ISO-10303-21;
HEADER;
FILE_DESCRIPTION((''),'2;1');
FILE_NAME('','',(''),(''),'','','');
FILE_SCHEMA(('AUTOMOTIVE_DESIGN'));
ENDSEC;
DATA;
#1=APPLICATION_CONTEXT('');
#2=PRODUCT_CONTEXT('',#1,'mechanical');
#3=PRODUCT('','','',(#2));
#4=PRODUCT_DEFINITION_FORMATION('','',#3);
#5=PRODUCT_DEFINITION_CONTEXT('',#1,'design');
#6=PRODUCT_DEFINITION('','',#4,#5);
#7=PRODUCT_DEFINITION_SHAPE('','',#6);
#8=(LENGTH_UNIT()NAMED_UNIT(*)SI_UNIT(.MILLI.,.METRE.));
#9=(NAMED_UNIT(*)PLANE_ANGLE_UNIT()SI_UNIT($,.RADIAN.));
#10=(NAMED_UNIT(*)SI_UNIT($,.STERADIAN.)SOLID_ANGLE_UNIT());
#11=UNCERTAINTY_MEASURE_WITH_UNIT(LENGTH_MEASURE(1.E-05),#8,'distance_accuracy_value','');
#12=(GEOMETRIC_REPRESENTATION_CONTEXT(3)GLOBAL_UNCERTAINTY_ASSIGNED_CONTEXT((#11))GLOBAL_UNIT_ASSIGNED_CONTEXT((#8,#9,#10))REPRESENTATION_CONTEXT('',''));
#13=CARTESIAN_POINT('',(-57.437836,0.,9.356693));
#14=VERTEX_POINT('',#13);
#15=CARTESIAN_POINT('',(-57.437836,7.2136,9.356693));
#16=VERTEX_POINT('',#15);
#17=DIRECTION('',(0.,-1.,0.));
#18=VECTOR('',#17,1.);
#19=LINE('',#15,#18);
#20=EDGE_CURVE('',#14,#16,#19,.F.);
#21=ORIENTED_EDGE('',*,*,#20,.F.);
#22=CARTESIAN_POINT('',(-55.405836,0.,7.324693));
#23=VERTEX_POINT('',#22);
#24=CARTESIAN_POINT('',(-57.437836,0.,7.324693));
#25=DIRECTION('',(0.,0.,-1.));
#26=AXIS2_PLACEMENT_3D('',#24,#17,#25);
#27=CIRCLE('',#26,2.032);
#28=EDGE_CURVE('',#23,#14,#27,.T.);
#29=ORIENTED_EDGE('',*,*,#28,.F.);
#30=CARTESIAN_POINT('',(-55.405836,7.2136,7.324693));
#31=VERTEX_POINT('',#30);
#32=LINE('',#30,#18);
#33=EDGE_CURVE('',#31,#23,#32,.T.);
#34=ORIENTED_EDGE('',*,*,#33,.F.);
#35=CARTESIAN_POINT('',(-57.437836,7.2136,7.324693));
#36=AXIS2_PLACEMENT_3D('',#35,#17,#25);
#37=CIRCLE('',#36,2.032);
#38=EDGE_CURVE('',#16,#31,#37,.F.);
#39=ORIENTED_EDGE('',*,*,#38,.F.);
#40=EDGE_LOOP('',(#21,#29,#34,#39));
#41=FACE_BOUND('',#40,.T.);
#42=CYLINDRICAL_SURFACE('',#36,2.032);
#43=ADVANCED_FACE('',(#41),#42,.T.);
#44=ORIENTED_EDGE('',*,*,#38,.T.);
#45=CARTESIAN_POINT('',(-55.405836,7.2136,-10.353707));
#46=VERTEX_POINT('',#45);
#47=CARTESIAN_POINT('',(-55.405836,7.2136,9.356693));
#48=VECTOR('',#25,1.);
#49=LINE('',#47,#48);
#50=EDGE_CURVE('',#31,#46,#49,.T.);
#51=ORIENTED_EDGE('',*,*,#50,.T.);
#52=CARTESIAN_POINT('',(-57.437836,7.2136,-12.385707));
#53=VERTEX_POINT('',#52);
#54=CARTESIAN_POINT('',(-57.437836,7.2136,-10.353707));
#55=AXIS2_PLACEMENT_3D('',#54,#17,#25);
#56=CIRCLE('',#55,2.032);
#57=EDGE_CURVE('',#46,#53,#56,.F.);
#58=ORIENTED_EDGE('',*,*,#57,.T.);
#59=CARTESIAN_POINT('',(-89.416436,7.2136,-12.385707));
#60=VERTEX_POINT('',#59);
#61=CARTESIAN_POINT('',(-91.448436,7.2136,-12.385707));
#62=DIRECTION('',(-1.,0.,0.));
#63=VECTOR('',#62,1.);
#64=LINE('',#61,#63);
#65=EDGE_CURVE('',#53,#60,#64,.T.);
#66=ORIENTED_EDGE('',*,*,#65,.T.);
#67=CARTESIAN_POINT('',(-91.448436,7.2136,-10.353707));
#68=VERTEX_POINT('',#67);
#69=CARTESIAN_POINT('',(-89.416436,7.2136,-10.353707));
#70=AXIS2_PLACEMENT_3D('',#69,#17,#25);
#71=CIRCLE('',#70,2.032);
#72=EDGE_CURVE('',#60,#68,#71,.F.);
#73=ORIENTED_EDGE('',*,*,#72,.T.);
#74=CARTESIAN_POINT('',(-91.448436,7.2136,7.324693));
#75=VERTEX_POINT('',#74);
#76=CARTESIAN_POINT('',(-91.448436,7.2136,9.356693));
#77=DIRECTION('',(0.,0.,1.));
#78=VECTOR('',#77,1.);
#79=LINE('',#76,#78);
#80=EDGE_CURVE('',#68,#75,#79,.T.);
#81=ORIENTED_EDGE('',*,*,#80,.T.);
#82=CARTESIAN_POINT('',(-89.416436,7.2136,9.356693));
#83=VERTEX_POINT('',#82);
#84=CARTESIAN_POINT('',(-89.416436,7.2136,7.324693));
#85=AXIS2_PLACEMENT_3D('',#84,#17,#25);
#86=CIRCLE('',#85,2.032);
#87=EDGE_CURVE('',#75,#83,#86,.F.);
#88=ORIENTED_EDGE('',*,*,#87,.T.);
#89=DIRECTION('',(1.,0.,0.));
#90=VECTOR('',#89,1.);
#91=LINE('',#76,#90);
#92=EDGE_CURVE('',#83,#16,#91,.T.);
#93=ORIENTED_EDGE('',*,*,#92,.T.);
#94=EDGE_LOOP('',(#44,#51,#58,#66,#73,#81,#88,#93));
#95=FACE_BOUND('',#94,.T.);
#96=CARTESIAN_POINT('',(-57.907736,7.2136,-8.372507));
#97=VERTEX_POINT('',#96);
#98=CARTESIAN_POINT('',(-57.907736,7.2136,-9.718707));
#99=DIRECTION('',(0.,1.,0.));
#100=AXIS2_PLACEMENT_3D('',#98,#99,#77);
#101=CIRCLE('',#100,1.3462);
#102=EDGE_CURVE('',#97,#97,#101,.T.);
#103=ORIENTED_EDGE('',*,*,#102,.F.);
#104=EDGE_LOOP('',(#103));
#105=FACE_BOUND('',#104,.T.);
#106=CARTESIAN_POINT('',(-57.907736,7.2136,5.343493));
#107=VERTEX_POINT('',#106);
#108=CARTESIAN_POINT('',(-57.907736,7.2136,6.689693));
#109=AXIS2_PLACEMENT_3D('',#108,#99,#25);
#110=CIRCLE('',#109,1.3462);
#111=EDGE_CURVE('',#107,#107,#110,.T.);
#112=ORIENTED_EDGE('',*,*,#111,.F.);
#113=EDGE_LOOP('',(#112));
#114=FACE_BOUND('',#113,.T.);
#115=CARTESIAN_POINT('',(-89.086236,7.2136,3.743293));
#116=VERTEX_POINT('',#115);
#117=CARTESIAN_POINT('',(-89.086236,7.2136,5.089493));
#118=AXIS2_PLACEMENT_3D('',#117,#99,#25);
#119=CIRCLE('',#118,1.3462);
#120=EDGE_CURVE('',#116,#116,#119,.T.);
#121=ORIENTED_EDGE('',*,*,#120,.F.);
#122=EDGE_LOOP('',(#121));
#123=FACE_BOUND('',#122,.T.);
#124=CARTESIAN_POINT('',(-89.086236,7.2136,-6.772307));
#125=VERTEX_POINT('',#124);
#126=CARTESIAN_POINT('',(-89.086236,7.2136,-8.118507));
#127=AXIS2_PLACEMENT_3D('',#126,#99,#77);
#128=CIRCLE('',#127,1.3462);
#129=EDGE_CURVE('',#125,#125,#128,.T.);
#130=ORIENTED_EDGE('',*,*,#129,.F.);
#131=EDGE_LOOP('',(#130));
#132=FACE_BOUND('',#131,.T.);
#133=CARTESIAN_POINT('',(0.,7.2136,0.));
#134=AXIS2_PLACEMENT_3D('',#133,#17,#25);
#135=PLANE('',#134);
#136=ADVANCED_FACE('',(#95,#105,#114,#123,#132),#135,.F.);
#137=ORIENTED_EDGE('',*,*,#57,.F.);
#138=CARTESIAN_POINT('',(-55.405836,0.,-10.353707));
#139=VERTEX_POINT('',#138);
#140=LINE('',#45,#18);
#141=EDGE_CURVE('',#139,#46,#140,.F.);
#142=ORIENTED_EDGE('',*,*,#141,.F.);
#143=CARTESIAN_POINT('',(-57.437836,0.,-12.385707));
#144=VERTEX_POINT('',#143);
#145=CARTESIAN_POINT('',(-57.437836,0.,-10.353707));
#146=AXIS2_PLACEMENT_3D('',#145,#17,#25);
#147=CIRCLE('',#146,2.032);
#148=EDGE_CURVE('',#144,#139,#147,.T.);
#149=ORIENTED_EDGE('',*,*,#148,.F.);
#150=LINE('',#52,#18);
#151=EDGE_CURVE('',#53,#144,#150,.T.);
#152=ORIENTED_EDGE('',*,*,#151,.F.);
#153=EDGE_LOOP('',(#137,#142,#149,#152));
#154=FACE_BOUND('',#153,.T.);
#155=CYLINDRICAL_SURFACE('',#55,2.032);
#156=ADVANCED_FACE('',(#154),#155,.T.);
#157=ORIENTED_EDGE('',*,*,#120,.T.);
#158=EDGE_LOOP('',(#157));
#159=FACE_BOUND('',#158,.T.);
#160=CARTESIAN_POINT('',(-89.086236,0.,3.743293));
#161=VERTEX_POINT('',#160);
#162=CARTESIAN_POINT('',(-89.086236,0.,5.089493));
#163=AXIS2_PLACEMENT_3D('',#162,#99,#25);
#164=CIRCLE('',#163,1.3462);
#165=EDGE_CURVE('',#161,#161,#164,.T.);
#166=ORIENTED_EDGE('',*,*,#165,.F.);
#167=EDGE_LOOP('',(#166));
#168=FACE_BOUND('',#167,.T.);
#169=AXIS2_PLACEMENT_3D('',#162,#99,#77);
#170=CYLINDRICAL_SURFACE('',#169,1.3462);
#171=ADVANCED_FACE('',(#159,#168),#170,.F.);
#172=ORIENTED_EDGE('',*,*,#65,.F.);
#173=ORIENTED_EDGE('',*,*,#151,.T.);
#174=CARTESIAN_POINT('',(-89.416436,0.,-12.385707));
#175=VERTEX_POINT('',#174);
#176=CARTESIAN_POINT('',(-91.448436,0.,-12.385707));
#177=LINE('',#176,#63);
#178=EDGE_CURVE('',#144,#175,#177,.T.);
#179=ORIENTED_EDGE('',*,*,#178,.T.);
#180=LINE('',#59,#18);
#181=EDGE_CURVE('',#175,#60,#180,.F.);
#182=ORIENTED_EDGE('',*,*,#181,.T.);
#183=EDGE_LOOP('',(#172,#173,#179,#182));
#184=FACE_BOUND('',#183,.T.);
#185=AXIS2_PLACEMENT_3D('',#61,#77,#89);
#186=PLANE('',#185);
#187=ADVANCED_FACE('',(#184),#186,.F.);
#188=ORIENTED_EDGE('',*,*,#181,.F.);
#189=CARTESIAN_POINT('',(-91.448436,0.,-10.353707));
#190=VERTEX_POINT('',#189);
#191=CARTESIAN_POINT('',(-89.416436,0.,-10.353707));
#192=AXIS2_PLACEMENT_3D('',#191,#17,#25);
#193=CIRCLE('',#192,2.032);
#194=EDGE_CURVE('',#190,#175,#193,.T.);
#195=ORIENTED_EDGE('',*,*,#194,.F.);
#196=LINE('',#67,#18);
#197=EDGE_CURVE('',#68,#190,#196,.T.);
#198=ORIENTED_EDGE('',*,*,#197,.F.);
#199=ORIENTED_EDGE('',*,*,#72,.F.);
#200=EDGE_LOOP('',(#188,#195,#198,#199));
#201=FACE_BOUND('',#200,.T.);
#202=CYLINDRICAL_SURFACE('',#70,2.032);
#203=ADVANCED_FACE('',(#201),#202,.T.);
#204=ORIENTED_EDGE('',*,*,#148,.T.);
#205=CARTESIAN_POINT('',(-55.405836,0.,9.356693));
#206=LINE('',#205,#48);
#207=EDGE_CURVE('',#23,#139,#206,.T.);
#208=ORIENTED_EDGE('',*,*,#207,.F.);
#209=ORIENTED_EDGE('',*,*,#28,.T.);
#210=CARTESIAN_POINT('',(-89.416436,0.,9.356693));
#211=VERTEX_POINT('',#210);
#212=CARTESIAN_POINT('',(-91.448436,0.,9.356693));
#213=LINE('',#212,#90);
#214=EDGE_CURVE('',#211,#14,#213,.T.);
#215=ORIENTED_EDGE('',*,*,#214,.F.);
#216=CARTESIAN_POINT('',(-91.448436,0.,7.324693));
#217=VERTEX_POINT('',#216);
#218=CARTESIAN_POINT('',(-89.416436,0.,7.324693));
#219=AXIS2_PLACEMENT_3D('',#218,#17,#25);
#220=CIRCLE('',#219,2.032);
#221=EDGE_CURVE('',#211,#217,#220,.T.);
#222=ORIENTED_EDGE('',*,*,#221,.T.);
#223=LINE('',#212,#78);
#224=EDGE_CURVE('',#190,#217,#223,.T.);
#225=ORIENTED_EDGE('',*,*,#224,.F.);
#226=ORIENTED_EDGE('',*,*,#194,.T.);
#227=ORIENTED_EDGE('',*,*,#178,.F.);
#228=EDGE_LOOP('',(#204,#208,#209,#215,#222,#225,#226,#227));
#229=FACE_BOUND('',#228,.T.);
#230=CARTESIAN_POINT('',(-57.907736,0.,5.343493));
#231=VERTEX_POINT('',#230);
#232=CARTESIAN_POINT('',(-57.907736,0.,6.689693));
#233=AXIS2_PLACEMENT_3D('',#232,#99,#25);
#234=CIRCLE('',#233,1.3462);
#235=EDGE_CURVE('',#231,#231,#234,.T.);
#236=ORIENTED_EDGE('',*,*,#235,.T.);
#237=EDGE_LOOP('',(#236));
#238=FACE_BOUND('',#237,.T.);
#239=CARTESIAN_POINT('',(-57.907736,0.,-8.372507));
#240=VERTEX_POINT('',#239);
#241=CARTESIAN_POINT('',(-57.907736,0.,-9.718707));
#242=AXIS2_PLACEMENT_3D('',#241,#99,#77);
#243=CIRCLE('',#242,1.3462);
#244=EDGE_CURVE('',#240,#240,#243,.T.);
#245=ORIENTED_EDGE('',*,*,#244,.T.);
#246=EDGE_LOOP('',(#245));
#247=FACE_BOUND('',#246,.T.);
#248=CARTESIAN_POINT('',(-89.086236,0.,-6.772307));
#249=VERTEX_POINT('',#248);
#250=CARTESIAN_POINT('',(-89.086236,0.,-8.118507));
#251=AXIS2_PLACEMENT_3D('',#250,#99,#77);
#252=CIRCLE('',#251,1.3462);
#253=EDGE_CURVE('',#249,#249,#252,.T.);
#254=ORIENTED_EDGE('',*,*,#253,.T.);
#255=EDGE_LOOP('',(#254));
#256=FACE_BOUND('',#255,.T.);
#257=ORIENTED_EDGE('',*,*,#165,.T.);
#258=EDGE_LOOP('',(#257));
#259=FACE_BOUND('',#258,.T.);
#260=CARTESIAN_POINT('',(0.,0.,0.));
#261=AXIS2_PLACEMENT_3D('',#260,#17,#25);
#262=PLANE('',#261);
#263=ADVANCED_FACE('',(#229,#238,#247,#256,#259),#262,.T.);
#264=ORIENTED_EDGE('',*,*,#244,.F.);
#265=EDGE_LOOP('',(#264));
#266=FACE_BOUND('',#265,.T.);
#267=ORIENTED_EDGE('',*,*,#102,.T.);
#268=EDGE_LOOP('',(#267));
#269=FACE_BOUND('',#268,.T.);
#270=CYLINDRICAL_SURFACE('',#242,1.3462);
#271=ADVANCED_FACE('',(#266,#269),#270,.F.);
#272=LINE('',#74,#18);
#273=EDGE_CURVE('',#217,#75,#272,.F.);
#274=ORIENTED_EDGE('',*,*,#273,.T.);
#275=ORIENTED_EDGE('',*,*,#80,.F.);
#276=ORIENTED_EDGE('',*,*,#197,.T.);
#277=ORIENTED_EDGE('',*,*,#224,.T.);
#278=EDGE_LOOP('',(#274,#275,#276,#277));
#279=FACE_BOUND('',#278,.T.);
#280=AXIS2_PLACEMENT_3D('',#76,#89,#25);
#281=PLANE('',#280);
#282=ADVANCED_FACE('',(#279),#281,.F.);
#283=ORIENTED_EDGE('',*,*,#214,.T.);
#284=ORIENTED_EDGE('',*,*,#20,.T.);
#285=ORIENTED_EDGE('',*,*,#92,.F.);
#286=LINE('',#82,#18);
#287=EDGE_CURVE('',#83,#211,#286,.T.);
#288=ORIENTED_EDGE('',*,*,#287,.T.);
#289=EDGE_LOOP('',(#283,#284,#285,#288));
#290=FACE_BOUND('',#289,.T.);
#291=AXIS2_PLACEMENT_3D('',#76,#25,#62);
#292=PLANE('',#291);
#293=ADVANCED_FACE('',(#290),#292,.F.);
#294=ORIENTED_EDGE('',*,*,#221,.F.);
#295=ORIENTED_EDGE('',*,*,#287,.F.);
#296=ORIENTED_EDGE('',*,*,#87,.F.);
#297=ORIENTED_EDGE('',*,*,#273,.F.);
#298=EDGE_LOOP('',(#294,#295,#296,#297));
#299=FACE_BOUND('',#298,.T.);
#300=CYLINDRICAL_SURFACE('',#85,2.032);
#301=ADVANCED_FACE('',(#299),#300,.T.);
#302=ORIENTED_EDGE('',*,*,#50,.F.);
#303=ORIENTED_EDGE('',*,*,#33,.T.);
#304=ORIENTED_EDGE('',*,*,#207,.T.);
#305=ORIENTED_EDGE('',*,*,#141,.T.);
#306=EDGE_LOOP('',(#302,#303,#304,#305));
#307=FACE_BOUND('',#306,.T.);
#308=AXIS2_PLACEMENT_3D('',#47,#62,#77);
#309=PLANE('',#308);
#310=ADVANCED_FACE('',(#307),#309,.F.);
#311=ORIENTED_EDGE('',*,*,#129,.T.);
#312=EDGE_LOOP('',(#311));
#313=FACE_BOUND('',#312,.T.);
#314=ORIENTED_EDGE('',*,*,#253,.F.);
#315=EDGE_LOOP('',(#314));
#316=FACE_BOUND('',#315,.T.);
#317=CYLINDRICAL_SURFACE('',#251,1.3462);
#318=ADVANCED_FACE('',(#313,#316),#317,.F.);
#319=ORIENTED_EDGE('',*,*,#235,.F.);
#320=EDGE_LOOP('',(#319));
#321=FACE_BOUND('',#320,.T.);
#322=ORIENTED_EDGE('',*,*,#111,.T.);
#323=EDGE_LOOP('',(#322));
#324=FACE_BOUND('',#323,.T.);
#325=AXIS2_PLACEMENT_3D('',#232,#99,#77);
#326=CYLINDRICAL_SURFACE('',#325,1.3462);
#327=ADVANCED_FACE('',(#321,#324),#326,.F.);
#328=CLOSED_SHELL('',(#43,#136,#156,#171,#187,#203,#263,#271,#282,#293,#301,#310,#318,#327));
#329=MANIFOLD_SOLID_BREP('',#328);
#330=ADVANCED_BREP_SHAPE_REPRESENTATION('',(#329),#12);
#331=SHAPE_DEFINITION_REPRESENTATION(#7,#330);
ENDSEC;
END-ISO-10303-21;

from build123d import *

# Parameters (mm, degrees)
SKETCH1_W           = 36.0426
SKETCH1_H           = 21.7424
BOSS_EXTRUDE1_DEPTH = 7.2136
SKETCH2_R           = 1.3462
CUT_EXTRUDE1_DEPTH  = 7.2136
FILLET1_R           = 2.032


with BuildPart() as part:
    # Sketch1 → Boss-Extrude1 (new body)
    with BuildSketch(Plane(origin=(0, 0, 0), x_dir=(1, 0, 0), z_dir=(0, 1, 0))):
        with Locations((-73.427135669, 1.514506775)):
            Rectangle(SKETCH1_W, SKETCH1_H)
    extrude(amount=BOSS_EXTRUDE1_DEPTH)

    # Sketch2 → Cut-Extrude1 (cut)
    with BuildSketch(Plane(origin=(0, 7.2136, 0), x_dir=(1, 0, 0), z_dir=(0, 1, 0))):
        with Locations((-57.907735669, 9.718706775)):
            Circle(SKETCH2_R)
        with Locations((-89.086235669, 8.118506775)):
            Circle(SKETCH2_R)
        with Locations((-57.907735669, -6.689693225)):
            Circle(SKETCH2_R)
        with Locations((-89.086235669, -5.089493225)):
            Circle(SKETCH2_R)
    extrude(amount=-CUT_EXTRUDE1_DEPTH, mode=Mode.SUBTRACT)

    # Fillet1
    fillet1_edges = [part.edges().sort_by_distance(p)[0] for p in [
        (-91.448435669, 3.6068, -12.385706775),
        (-55.405835669, 3.6068, -12.385706775),
        (-55.405835669, 3.6068, 9.356693225),
        (-91.448435669, 3.6068, 9.356693225),
    ]]
    fillet(fillet1_edges, radius=FILLET1_R)


solid = part.part
